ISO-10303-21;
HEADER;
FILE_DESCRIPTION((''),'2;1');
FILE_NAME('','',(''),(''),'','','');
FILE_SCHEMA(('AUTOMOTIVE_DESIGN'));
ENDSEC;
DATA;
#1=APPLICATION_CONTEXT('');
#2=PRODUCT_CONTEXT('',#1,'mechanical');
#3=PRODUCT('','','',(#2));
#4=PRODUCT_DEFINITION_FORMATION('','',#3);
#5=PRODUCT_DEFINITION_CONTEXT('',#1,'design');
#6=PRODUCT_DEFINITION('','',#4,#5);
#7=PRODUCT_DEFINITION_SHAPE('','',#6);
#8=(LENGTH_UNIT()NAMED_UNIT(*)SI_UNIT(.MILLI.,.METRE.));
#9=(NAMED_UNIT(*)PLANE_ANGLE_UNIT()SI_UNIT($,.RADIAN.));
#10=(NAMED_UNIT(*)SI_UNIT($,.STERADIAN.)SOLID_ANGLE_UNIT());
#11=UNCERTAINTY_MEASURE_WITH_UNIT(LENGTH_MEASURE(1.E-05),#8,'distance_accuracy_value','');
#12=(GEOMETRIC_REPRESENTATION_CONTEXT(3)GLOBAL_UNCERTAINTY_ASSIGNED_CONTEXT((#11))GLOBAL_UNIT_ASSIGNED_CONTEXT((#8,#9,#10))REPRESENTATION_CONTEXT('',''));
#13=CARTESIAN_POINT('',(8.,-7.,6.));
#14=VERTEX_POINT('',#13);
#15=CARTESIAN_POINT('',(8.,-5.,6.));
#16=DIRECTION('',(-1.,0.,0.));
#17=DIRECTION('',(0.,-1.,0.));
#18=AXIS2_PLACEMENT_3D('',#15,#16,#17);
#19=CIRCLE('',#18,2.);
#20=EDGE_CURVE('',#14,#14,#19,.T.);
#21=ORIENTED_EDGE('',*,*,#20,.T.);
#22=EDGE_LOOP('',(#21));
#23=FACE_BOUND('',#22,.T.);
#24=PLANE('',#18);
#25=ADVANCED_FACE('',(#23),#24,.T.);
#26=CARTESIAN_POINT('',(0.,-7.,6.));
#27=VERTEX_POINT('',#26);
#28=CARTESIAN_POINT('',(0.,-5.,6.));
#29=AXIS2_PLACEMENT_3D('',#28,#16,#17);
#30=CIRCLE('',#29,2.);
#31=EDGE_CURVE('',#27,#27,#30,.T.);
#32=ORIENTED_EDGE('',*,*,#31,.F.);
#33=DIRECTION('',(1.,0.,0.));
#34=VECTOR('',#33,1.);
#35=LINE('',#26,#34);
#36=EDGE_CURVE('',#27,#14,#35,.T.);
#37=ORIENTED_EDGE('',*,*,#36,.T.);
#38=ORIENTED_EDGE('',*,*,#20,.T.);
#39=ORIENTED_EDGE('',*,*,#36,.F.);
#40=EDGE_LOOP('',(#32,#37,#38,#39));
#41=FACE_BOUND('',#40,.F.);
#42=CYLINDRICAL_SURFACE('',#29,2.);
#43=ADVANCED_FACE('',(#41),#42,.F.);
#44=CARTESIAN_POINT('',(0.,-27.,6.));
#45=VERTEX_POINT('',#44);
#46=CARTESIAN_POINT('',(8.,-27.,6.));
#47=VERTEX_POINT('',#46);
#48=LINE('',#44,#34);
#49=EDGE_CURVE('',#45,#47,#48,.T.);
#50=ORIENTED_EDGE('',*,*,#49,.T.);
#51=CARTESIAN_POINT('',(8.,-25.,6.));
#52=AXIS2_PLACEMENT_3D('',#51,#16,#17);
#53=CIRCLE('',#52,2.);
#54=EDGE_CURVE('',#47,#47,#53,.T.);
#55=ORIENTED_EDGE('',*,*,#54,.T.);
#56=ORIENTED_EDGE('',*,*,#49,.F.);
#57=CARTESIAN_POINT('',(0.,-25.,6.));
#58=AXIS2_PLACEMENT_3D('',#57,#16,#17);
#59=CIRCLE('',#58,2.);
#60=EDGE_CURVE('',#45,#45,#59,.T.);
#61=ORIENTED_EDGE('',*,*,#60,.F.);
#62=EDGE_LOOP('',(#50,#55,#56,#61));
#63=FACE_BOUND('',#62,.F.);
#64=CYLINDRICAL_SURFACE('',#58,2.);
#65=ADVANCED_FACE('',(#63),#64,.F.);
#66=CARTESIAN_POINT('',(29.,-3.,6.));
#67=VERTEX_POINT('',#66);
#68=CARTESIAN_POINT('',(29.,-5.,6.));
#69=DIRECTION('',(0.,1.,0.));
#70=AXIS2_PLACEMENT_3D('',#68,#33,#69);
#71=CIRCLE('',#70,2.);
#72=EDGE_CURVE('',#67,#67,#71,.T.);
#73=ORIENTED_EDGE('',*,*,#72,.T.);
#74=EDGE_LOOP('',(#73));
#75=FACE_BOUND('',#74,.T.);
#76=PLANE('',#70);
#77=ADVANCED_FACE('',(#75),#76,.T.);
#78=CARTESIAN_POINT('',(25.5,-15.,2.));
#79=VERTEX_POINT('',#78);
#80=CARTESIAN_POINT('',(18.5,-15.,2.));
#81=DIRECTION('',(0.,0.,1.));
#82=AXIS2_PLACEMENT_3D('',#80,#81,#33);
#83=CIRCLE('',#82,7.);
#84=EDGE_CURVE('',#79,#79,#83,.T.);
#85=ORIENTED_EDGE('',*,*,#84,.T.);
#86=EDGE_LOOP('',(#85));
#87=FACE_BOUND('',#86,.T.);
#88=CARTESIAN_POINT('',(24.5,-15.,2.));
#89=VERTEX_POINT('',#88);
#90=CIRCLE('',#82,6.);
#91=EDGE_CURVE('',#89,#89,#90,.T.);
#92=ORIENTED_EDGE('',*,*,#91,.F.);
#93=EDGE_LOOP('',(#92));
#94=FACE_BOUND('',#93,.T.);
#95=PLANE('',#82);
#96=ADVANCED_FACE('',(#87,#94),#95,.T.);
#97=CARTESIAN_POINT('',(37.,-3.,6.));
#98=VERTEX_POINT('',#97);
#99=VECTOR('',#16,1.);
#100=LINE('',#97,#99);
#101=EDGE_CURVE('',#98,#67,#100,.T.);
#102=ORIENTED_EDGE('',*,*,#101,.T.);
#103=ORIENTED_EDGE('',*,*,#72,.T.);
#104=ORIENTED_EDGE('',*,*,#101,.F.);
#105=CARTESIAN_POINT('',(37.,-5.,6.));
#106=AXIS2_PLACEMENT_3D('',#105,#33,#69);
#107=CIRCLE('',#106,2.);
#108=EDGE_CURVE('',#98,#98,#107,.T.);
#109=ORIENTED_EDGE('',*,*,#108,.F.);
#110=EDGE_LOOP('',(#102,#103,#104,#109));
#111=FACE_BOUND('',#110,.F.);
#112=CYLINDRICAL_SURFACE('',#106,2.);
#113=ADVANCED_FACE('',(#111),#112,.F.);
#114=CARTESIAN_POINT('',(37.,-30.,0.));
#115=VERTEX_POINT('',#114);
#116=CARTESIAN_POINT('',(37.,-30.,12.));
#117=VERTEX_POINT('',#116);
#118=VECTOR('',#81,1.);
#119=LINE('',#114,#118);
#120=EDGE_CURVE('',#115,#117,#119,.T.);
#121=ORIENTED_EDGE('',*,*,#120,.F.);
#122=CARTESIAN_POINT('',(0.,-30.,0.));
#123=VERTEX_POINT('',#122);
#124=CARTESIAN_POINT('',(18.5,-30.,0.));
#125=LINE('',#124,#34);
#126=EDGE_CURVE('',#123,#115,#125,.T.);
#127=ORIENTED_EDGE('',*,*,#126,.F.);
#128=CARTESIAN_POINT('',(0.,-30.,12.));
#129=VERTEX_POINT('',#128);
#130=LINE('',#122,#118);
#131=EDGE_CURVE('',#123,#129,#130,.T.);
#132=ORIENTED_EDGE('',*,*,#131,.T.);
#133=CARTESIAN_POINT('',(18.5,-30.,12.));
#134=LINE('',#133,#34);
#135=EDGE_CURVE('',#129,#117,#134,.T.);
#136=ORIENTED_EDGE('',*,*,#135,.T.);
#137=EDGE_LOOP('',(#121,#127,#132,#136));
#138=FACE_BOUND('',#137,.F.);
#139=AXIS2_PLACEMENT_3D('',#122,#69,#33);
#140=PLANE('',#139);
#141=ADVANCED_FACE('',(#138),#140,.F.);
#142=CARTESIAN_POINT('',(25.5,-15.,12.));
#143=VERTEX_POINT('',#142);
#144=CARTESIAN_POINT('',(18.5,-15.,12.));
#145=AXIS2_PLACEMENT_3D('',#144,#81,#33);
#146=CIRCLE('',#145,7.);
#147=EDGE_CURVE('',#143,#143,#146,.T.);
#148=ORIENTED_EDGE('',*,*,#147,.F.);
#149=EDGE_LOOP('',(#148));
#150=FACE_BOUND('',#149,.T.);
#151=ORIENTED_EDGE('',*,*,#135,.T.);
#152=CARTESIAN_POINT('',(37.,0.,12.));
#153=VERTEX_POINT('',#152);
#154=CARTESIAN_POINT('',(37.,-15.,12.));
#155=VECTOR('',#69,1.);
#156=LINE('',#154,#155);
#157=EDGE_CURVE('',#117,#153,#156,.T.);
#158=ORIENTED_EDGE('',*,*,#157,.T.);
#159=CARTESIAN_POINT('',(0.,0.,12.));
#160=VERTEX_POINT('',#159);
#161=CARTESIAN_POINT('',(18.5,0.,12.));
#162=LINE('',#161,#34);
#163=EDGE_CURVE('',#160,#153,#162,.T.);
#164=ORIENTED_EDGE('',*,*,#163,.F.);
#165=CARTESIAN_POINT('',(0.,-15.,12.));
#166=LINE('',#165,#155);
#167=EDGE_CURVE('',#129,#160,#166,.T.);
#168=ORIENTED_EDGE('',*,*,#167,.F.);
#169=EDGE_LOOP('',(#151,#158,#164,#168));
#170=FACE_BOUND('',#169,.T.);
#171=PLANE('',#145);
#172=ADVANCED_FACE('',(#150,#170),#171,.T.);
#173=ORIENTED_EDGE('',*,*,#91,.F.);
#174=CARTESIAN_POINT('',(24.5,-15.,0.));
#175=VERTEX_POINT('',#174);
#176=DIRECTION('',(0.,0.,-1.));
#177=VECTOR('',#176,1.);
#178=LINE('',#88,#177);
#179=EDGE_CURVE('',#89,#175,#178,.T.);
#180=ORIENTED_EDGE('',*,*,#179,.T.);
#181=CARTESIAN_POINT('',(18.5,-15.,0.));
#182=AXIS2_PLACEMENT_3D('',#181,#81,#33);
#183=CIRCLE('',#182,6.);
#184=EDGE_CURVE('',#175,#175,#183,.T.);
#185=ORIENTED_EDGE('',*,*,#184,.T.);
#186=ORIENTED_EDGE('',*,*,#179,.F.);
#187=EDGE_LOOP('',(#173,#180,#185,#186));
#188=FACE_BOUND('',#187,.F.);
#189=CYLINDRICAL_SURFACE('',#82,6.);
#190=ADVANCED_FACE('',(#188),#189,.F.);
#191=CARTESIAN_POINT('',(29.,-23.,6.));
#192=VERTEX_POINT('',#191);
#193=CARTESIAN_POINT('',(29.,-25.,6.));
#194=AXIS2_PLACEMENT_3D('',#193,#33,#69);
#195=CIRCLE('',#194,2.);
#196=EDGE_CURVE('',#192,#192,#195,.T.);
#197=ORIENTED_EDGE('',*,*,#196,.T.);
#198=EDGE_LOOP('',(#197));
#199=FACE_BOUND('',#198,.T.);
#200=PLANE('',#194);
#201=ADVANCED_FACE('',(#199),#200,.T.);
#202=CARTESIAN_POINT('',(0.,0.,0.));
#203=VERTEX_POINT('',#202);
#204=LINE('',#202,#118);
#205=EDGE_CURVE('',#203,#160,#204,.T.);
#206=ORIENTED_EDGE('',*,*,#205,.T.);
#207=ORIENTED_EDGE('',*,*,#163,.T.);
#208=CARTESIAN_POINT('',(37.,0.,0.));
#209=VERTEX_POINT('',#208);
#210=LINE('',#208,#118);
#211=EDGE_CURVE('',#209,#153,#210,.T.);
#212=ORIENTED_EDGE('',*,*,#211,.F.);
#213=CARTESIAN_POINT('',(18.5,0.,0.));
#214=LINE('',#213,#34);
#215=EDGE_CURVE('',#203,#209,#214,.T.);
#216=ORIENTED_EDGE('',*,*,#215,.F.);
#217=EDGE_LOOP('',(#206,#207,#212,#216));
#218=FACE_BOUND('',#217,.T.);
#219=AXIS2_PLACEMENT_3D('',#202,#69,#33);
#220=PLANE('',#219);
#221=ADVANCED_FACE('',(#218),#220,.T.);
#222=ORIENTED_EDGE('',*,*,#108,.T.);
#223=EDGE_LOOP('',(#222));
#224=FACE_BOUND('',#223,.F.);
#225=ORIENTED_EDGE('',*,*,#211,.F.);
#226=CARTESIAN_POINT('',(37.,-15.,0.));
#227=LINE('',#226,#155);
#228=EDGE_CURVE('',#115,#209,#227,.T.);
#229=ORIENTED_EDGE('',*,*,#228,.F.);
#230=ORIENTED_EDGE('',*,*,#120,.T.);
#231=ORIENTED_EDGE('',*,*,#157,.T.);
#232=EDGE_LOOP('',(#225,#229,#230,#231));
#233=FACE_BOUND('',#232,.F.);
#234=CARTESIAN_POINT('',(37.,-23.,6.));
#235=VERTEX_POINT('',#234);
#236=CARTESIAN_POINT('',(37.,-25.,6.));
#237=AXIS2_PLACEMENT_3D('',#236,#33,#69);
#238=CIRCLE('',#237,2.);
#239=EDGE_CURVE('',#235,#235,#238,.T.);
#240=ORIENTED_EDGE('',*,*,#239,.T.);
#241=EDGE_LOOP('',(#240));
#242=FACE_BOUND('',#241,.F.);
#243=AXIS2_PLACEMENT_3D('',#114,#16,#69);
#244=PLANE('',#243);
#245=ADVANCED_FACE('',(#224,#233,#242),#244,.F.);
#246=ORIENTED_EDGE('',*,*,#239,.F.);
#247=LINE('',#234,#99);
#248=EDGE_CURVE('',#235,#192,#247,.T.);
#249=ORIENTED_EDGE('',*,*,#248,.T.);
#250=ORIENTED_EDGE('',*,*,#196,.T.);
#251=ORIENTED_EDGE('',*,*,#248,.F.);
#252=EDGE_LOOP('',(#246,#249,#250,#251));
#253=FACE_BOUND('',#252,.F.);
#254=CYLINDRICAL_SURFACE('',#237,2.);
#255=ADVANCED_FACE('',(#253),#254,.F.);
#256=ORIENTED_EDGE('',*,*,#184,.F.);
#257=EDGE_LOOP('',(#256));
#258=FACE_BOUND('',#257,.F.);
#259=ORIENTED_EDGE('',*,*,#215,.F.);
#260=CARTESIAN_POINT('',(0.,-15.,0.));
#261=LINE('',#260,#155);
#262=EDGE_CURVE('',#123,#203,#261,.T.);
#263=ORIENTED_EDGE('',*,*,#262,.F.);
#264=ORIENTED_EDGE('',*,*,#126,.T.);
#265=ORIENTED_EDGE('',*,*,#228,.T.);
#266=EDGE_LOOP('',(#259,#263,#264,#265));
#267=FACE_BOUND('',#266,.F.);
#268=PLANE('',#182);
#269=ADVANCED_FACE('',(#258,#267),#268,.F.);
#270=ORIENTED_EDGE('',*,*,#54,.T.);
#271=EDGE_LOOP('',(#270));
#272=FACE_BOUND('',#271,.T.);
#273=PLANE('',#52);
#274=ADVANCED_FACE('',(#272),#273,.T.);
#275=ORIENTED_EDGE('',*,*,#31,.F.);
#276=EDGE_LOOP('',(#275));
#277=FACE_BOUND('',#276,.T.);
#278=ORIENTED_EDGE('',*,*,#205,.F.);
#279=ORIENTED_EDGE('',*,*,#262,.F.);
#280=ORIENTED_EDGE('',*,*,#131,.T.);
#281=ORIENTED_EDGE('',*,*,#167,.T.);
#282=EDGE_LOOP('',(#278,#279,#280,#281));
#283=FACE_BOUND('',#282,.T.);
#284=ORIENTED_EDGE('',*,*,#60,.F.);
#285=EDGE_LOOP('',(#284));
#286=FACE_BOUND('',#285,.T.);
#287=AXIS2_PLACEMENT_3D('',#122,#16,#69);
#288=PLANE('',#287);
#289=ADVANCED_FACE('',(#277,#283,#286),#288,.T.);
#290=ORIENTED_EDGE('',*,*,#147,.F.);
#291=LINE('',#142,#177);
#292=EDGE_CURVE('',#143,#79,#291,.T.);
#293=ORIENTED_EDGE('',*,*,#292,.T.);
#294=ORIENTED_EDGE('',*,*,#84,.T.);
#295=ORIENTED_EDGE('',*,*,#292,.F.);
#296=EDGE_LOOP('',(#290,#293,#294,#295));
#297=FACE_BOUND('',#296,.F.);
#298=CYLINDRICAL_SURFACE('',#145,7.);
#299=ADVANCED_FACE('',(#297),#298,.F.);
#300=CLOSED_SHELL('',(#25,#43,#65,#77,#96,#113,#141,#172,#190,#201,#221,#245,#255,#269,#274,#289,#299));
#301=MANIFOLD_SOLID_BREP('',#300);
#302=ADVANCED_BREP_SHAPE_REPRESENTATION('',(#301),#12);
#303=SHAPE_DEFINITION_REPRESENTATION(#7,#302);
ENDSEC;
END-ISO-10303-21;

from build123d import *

# Parameters (mm, degrees)
F0_W     = 37
F0_H     = 30
F1_DEPTH = 12
F2_R     = 7
F3_DEPTH = 10
F4_R     = 2
F5_DEPTH = 8
F6_R     = 2
F7_DEPTH = 8
F8_R     = 6
F9_DEPTH = 25


with BuildPart() as f1:
    # F0 (on Top) → F1 (new body)
    with BuildSketch(Plane.XY):
        with Locations((18.5, -15)):
            Rectangle(F0_W, F0_H)
    extrude(amount=F1_DEPTH)

    # F2 (on face) → F3 (cut)
    with BuildSketch(Plane.XY.offset(12)):
        with Locations((18.5, -15)):
            Circle(F2_R)
    extrude(amount=-F3_DEPTH, mode=Mode.SUBTRACT)

    # F4 (on face) → F5 (cut)
    with BuildSketch(Plane.YZ.offset(37)):
        with Locations((-5, 6)):
            Circle(F4_R)
        with Locations((-25, 6)):
            Circle(F4_R)
    extrude(amount=-F5_DEPTH, mode=Mode.SUBTRACT)

    # F6 (on face) → F7 (cut)
    with BuildSketch(Plane(origin=(0, 0, 0), x_dir=(0, -1, 0), z_dir=(-1, 0, 0))):
        with Locations((25, 6)):
            Circle(F6_R)
        with Locations((5, 6)):
            Circle(F6_R)
    extrude(amount=-F7_DEPTH, mode=Mode.SUBTRACT)

    # F8 (on face) → F9 (cut)
    with BuildSketch(Plane.XY.offset(2)):
        with Locations((18.5, -15)):
            Circle(F8_R)
    extrude(amount=-F9_DEPTH, mode=Mode.SUBTRACT)


solid = f1.part
